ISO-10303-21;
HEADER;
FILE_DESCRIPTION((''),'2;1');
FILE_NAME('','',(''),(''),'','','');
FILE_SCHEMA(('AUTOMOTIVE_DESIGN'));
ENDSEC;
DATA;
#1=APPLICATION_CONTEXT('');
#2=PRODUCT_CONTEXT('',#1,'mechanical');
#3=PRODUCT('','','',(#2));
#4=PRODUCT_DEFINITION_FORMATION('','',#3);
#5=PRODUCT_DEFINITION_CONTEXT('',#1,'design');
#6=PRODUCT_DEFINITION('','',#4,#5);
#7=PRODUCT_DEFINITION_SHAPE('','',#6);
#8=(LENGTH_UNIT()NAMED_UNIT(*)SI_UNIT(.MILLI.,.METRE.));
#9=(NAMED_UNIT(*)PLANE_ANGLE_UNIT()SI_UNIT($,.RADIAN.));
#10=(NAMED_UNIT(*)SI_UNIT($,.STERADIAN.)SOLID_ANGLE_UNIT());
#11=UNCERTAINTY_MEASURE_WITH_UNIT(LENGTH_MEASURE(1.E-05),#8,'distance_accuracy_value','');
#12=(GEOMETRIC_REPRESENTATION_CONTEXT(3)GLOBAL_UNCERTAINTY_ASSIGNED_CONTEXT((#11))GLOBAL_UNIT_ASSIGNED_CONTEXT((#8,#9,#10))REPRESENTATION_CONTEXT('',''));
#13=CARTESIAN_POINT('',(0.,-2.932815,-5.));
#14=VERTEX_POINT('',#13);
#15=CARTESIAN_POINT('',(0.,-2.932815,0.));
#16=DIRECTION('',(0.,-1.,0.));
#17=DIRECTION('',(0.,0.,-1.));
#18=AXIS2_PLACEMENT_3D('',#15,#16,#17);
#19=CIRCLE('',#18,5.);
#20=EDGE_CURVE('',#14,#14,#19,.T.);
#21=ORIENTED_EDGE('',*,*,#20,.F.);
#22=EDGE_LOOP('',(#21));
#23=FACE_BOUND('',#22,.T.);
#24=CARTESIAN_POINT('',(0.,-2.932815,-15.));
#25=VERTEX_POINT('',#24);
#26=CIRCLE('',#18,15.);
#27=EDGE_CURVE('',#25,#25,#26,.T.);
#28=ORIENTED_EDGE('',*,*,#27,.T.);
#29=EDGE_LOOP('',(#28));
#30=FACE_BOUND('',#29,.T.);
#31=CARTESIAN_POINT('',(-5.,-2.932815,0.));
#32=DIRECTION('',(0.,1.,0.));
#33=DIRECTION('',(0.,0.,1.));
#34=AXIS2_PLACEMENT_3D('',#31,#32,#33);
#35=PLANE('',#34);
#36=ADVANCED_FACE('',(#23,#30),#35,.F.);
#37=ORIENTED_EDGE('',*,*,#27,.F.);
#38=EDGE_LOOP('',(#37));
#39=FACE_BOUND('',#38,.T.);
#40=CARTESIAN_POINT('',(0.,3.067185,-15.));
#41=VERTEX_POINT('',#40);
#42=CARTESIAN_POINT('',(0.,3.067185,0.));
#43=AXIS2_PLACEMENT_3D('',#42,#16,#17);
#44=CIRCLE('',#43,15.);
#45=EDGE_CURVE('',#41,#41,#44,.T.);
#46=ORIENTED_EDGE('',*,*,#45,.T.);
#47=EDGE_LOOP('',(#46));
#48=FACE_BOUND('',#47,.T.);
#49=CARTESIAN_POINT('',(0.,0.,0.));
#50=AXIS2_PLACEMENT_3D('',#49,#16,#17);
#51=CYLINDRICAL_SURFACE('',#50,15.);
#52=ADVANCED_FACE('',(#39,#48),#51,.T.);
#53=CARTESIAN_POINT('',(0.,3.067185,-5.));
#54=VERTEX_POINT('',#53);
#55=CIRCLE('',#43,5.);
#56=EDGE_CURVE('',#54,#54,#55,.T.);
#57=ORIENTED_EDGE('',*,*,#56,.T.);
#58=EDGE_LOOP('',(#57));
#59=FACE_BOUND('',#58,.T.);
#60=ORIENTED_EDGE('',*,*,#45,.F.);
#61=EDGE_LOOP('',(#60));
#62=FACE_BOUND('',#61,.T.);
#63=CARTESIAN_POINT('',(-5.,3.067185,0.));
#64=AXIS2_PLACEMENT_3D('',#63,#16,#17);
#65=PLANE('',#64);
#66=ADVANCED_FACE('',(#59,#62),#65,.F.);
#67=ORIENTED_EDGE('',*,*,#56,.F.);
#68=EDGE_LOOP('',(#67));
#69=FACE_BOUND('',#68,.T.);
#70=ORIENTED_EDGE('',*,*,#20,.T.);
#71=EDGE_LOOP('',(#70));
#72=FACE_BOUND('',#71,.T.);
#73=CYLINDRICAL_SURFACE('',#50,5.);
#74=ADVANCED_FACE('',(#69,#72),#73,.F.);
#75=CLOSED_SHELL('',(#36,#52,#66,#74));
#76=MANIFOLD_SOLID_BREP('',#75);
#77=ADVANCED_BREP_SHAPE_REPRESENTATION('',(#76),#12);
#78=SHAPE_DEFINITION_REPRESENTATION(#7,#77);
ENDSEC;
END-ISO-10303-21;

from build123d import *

# Parameters (mm, degrees)
SKETCH1_W = 10
SKETCH1_H = 6


with BuildPart() as part:
    # Sketch1 → Revolve1 (revolve)
    with BuildSketch(Plane.XY, mode=Mode.PRIVATE) as revolve1_sk:
        with Locations((-10, 0.067184557)):
            Rectangle(SKETCH1_W, SKETCH1_H)
    revolve(revolve1_sk.sketch.rotate(Axis((0, 0, 0), (0, 1, 0)), 270), axis=Axis((0, 0, 0), (0, 1, 0)))


solid = part.part
